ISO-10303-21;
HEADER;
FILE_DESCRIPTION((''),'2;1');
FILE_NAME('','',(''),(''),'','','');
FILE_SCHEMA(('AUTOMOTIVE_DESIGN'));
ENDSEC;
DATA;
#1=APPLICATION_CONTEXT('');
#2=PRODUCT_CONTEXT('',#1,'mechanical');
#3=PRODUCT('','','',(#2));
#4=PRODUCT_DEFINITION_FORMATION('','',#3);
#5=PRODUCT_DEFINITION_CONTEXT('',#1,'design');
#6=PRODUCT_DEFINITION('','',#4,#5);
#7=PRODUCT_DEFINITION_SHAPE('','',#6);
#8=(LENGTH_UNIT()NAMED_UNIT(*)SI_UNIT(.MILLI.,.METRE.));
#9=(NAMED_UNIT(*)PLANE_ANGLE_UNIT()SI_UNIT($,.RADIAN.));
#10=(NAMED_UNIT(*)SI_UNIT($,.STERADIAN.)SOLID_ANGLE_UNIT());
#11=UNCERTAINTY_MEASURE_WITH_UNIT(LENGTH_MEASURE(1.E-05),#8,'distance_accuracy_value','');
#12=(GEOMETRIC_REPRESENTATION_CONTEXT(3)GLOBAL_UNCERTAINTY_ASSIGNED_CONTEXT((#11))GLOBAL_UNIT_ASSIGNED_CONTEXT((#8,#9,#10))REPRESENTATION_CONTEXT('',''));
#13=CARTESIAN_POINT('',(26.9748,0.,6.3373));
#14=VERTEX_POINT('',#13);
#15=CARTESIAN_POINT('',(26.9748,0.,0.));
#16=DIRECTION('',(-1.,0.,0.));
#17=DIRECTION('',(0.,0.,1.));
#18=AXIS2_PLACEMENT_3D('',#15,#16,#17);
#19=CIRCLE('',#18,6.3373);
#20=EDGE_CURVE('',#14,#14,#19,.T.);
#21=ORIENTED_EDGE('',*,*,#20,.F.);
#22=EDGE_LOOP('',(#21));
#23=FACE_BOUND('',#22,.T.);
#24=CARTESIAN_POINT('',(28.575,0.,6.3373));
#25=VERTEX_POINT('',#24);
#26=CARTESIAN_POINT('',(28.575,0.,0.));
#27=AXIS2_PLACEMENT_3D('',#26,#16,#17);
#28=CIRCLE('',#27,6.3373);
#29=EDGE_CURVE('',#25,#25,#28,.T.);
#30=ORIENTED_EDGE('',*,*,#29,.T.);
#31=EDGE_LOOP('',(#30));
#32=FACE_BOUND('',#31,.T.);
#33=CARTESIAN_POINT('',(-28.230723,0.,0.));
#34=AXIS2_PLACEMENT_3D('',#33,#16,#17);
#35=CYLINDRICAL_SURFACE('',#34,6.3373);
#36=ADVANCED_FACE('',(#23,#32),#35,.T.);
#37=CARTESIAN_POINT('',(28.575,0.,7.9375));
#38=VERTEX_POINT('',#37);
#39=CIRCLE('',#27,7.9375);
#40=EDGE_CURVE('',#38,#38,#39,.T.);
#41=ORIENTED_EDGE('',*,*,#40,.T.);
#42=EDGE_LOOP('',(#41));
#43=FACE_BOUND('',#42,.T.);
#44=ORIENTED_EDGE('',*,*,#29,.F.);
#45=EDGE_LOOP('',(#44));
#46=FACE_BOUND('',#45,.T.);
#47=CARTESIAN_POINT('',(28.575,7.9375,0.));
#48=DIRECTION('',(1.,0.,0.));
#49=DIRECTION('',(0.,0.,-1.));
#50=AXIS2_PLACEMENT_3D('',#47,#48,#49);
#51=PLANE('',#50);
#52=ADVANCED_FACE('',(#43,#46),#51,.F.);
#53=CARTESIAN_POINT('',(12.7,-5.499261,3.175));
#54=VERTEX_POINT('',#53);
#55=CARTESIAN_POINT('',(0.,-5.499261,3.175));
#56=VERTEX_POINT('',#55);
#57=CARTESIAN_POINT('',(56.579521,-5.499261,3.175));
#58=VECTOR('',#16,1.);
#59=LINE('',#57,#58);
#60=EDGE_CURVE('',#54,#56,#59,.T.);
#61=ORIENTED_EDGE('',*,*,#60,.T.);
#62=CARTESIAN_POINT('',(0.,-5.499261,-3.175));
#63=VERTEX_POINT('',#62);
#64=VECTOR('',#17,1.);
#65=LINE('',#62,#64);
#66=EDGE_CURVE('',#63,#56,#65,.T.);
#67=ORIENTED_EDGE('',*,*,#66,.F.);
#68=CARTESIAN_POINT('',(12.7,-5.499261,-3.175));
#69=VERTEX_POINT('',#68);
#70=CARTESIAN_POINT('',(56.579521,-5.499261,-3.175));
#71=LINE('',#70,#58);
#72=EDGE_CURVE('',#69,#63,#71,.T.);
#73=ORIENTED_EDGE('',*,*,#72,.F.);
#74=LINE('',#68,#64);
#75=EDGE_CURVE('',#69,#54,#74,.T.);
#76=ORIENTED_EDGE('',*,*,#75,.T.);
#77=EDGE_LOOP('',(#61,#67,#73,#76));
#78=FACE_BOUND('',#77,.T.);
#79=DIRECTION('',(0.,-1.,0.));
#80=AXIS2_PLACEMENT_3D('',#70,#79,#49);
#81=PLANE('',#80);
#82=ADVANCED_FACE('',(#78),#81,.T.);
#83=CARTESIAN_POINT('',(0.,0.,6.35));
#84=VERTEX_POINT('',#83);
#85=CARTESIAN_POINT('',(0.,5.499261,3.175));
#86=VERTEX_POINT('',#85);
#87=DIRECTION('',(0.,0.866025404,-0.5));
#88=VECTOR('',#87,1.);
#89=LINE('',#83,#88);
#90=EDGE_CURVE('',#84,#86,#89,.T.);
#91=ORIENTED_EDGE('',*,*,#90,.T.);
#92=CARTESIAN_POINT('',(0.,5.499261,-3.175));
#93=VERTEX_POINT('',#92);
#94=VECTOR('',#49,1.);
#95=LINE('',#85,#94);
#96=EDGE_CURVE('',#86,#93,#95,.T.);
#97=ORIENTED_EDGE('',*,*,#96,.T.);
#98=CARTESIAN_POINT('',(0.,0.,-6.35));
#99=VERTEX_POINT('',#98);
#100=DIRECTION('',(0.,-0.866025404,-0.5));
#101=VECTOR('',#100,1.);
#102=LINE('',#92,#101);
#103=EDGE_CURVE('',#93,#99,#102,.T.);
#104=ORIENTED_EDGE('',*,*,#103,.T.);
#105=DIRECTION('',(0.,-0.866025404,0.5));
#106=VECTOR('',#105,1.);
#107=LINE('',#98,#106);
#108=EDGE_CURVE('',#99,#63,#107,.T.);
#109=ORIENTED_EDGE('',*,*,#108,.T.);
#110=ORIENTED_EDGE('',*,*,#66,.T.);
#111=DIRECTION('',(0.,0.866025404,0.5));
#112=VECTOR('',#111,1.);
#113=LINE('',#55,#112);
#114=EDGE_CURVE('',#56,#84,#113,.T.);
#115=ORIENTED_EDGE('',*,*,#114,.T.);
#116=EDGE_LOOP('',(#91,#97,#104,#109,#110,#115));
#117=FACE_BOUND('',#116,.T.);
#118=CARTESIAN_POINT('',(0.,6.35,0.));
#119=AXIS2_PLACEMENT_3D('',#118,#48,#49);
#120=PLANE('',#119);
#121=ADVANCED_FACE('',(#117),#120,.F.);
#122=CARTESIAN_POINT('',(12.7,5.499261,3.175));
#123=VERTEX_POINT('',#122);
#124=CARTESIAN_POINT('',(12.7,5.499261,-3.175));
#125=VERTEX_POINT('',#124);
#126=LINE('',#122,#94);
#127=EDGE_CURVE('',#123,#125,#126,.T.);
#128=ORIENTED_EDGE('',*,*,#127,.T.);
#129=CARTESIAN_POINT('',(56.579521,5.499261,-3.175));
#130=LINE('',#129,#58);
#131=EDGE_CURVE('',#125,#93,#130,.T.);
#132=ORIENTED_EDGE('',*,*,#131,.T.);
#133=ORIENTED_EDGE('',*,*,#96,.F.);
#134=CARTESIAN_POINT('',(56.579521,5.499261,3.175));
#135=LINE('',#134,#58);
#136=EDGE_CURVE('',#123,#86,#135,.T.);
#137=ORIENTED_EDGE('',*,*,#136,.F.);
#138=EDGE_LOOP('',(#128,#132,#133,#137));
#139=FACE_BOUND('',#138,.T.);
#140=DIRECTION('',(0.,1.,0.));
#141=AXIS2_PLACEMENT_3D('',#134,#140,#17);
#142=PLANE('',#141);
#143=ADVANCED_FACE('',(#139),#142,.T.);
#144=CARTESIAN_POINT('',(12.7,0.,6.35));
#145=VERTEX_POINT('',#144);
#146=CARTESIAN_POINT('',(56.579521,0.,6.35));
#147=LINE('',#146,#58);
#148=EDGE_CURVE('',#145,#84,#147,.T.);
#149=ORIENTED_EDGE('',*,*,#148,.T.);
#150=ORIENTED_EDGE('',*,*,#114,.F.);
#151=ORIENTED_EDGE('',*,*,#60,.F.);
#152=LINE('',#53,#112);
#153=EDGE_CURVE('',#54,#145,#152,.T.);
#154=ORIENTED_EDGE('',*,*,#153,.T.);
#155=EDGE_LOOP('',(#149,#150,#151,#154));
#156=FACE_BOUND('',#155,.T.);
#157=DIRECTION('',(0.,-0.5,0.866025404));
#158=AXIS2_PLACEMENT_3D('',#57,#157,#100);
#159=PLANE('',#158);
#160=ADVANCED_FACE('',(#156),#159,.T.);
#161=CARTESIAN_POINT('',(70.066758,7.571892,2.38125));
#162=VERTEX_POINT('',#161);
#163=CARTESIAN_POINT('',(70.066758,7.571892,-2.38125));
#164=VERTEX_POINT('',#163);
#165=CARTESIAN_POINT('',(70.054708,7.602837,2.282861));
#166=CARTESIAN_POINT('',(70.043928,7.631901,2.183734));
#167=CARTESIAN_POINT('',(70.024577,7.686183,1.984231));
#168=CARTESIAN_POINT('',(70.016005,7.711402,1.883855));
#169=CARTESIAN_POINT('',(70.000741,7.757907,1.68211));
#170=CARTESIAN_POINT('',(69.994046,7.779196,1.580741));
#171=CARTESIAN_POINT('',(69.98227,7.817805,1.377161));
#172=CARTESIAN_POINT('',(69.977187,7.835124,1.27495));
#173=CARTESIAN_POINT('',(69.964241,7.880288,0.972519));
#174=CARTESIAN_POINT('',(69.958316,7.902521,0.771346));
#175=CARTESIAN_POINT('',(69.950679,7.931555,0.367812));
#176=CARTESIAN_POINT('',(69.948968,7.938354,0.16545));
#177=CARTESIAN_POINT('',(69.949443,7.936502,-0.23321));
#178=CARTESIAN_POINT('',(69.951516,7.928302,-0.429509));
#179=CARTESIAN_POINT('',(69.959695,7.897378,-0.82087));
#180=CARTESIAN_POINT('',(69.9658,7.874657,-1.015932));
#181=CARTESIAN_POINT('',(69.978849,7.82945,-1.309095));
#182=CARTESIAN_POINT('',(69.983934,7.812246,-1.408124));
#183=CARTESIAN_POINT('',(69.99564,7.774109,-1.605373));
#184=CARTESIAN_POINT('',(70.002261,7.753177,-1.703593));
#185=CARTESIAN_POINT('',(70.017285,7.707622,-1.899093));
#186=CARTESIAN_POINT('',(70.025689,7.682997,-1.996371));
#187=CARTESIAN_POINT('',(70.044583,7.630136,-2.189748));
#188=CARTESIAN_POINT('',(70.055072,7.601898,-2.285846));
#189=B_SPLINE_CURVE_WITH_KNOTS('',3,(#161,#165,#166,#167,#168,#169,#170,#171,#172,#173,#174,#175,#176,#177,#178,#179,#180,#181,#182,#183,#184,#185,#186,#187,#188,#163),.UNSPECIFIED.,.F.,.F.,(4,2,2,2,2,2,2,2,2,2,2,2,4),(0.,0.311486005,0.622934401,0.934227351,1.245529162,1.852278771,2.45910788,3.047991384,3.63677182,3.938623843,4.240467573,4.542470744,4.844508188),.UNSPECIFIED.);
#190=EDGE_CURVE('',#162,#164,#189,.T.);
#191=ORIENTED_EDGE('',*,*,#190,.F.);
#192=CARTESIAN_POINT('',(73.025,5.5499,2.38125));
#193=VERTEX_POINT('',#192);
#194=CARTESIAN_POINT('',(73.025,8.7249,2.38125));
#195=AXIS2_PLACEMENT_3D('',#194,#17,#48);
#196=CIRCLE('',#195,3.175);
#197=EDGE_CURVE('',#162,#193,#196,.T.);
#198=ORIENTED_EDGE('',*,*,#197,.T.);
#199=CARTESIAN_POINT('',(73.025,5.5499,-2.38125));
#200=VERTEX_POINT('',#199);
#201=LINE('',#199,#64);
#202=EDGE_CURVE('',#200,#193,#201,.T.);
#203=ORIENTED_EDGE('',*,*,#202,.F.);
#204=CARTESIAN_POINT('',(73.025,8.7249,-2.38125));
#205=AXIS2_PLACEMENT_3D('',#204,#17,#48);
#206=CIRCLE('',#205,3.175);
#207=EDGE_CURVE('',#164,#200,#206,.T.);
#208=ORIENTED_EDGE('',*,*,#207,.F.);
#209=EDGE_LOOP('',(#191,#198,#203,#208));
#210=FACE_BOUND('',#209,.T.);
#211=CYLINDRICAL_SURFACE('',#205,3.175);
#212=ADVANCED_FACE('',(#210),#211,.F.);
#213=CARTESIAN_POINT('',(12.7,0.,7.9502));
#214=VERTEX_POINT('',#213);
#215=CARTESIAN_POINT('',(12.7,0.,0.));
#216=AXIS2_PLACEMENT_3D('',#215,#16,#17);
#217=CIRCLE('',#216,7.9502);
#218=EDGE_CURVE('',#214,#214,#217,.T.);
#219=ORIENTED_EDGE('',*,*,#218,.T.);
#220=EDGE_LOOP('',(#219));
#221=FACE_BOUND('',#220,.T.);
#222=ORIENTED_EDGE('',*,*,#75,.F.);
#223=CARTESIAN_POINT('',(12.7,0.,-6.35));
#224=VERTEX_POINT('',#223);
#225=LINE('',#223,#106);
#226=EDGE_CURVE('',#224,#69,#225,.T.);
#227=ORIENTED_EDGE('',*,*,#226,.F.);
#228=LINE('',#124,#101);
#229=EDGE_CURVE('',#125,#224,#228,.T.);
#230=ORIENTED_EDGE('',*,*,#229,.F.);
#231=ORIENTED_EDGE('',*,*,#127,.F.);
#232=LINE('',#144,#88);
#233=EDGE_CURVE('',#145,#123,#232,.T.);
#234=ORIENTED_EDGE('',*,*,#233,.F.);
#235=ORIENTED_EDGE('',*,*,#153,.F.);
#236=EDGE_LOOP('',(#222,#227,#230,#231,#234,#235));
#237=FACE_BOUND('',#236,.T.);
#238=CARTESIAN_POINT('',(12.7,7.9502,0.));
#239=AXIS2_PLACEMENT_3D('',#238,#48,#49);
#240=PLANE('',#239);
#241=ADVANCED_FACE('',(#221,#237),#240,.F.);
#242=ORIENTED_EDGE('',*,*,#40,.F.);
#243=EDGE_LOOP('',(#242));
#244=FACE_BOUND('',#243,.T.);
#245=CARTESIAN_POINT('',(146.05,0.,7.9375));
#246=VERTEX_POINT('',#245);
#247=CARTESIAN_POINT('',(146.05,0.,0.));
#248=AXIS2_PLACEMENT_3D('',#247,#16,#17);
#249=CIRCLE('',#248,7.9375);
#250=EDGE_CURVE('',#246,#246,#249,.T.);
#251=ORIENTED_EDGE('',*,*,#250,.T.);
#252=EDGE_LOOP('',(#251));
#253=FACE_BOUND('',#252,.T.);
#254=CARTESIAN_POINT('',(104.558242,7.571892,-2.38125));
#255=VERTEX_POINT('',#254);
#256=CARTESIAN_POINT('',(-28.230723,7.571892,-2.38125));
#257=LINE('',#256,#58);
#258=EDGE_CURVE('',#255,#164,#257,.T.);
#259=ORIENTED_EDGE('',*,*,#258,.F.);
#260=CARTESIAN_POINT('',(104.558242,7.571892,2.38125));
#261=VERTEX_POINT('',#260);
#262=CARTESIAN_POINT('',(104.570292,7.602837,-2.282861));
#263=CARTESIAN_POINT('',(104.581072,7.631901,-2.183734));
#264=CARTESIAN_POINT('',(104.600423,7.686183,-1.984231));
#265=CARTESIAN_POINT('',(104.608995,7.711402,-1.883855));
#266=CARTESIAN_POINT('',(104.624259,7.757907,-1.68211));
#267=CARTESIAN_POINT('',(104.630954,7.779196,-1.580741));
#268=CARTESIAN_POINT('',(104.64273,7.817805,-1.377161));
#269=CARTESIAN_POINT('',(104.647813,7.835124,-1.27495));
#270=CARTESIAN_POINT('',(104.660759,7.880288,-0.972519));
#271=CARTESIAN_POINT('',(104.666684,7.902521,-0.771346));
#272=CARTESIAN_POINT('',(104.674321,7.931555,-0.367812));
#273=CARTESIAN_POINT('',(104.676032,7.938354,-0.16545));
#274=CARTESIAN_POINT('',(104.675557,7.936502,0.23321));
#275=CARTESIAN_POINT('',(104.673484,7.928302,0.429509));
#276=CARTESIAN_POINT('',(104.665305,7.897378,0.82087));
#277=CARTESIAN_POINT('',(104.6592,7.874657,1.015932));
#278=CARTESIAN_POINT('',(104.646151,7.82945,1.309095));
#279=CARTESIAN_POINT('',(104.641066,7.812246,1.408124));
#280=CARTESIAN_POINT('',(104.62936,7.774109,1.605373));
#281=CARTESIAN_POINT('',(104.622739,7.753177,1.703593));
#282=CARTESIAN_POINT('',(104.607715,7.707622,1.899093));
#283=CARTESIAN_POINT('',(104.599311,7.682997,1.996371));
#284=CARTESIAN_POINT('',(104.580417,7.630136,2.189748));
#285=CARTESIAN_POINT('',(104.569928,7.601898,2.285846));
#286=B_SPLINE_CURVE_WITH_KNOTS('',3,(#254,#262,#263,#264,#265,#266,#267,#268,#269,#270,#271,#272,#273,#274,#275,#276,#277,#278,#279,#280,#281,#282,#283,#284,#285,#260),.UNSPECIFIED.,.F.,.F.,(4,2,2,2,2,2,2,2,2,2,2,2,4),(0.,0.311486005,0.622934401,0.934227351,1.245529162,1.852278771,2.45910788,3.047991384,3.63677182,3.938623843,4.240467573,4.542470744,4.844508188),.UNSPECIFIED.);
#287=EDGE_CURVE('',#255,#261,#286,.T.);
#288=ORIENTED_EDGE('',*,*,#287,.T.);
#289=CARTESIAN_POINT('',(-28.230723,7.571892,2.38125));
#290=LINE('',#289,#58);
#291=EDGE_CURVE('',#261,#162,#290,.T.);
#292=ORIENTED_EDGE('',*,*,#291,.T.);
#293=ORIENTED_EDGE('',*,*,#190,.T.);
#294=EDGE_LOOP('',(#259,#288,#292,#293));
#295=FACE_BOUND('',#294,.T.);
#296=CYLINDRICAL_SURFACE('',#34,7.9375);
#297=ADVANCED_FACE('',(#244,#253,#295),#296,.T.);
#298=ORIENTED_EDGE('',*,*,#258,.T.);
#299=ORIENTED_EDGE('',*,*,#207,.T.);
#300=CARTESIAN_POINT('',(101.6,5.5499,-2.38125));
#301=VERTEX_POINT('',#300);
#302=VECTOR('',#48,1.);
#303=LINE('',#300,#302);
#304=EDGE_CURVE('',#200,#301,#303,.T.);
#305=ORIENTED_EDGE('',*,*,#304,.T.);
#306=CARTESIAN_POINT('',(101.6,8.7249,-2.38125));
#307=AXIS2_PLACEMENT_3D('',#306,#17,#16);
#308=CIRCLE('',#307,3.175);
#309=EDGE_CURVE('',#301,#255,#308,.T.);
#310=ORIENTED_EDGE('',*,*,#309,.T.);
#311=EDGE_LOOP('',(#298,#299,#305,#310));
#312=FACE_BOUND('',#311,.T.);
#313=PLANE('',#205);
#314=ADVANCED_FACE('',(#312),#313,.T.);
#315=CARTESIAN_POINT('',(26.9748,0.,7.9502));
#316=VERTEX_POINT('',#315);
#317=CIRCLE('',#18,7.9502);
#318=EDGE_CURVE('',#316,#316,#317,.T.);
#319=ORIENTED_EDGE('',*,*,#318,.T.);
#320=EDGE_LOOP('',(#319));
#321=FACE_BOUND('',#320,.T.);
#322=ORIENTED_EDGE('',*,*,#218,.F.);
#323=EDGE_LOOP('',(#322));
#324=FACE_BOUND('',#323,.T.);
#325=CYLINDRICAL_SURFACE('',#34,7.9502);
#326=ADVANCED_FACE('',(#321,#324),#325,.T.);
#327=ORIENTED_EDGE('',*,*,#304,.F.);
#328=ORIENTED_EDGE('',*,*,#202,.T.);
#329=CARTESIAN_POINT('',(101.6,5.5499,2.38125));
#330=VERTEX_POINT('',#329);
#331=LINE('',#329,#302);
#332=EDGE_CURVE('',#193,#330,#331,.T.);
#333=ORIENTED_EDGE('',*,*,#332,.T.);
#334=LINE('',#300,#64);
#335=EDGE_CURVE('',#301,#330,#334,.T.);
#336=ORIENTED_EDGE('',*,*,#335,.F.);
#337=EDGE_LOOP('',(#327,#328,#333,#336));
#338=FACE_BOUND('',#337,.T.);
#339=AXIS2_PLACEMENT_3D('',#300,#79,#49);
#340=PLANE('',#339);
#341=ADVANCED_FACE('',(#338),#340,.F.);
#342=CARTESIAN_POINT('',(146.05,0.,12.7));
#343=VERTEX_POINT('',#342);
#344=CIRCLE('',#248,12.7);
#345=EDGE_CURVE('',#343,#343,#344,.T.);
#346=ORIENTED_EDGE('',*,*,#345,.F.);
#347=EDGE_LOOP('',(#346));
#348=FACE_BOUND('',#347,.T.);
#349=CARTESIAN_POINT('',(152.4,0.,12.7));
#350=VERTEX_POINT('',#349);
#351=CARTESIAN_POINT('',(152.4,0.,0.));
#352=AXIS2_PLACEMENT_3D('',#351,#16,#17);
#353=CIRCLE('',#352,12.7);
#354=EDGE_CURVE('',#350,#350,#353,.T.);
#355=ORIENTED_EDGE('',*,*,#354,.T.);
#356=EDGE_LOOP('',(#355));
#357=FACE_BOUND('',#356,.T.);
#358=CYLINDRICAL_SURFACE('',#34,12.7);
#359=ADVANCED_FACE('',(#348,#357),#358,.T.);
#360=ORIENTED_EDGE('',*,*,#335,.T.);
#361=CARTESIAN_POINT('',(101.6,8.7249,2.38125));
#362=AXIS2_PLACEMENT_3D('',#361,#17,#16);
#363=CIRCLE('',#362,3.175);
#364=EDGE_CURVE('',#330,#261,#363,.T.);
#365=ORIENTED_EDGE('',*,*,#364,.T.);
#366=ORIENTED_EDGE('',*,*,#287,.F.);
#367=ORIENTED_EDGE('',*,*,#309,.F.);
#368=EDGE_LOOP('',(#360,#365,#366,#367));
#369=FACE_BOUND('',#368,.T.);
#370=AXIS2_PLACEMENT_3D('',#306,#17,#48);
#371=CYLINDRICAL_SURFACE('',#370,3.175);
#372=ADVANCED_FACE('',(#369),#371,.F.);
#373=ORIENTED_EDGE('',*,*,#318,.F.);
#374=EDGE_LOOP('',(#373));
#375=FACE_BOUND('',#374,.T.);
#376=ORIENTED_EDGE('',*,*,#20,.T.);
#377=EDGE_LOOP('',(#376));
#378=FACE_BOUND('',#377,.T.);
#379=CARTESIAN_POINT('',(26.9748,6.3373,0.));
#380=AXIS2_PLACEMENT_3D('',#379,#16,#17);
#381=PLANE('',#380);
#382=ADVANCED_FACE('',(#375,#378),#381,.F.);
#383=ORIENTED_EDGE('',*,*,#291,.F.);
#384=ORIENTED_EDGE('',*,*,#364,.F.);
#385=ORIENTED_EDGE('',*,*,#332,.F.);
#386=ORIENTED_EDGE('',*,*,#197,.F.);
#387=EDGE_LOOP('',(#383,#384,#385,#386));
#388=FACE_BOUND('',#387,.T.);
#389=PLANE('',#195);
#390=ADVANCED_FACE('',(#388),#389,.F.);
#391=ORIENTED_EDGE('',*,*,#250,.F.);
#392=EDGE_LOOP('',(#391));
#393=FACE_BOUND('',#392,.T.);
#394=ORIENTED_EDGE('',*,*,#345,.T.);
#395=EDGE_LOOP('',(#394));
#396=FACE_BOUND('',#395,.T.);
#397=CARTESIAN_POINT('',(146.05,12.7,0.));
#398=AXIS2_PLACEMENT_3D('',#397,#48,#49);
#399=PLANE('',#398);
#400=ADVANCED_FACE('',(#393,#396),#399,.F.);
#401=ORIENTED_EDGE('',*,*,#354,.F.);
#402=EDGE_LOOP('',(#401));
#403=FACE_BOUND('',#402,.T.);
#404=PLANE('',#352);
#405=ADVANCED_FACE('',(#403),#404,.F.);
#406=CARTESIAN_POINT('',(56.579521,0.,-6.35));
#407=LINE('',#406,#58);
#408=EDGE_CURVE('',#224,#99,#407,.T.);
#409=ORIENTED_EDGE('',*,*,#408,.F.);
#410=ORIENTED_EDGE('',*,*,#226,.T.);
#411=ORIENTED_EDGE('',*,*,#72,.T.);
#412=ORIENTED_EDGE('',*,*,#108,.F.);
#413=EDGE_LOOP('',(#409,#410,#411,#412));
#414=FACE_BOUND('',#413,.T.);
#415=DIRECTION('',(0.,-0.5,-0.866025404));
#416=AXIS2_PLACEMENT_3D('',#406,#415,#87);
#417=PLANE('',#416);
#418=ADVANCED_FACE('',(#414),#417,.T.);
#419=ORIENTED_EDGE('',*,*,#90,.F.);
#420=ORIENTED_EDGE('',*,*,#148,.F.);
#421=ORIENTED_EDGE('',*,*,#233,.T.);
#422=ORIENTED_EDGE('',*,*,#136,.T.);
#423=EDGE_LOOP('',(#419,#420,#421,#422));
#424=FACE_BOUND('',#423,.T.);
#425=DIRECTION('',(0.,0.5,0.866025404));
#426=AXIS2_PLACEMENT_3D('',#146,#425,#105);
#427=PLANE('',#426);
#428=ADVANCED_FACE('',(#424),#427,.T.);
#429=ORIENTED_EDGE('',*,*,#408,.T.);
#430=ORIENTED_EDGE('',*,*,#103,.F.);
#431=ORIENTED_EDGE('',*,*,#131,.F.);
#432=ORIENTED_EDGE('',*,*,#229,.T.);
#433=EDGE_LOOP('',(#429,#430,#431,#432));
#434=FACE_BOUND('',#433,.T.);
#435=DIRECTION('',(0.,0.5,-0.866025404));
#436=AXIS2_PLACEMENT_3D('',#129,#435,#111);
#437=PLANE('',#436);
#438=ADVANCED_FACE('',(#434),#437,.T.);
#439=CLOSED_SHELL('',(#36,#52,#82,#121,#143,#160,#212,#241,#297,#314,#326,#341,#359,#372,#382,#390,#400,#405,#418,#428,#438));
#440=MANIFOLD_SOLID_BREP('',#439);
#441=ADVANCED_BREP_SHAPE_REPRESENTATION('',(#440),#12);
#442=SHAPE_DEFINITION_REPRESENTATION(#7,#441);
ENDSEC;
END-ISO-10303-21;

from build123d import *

# Parameters (mm, degrees)
KEYWAY_DEPTH               = 2.38125
HEXAGONAL_SKETCH_OUTSIDE_W = 58.716
HEXAGONAL_SKETCH_OUTSIDE_H = 58.716
HEXAGONAL_CUT_DEPTH        = 12.7


with BuildPart() as part:
    # Base Sketch → Base (revolve)
    with BuildSketch(Plane.XY, mode=Mode.PRIVATE) as base_sk:
        Polygon((0, 0), (152.4, 0), (152.4, 12.7), (146.05, 12.7), (146.05, 7.9375), (28.575, 7.9375), (28.575, 6.3373), (26.9748, 6.3373), (26.9748, 7.9502), (12.7, 7.9502), (12.7, 6.35), (0, 6.35), align=None)
    revolve(base_sk.sketch.rotate(Axis((-28.230722892, 0, 0), (1, 0, 0)), 90), axis=Axis((-28.230722892, 0, 0), (1, 0, 0)))

    # Keyway Sketch → Keyway (cut, symmetric)
    with BuildSketch(Plane.XY):
        with BuildLine():
            Line((69.85, 14.2875), (104.775, 14.2875))
            Line((104.775, 14.2875), (104.775, 8.7249))
            ThreePointArc((104.775, 8.7249), (103.84506403, 6.47983597), (101.6, 5.5499))
            Line((101.6, 5.5499), (73.025, 5.5499))
            ThreePointArc((73.025, 5.5499), (70.77993597, 6.47983597), (69.85, 8.7249))
            Line((69.85, 8.7249), (69.85, 14.2875))
        make_face()
    extrude(amount=KEYWAY_DEPTH, both=True, mode=Mode.SUBTRACT)

    # Hexagonal Sketch outside → Hexagonal Cut (cut)
    with BuildSketch(Plane.ZY):
        Rectangle(HEXAGONAL_SKETCH_OUTSIDE_W, HEXAGONAL_SKETCH_OUTSIDE_H)
        Polygon((3.175, 5.499261314), (-3.175, 5.499261314), (-6.35, 0), (-3.175, -5.499261314), (3.175, -5.499261314), (6.35, 0), align=None, mode=Mode.SUBTRACT)
    extrude(amount=-HEXAGONAL_CUT_DEPTH, mode=Mode.SUBTRACT)


solid = part.part
